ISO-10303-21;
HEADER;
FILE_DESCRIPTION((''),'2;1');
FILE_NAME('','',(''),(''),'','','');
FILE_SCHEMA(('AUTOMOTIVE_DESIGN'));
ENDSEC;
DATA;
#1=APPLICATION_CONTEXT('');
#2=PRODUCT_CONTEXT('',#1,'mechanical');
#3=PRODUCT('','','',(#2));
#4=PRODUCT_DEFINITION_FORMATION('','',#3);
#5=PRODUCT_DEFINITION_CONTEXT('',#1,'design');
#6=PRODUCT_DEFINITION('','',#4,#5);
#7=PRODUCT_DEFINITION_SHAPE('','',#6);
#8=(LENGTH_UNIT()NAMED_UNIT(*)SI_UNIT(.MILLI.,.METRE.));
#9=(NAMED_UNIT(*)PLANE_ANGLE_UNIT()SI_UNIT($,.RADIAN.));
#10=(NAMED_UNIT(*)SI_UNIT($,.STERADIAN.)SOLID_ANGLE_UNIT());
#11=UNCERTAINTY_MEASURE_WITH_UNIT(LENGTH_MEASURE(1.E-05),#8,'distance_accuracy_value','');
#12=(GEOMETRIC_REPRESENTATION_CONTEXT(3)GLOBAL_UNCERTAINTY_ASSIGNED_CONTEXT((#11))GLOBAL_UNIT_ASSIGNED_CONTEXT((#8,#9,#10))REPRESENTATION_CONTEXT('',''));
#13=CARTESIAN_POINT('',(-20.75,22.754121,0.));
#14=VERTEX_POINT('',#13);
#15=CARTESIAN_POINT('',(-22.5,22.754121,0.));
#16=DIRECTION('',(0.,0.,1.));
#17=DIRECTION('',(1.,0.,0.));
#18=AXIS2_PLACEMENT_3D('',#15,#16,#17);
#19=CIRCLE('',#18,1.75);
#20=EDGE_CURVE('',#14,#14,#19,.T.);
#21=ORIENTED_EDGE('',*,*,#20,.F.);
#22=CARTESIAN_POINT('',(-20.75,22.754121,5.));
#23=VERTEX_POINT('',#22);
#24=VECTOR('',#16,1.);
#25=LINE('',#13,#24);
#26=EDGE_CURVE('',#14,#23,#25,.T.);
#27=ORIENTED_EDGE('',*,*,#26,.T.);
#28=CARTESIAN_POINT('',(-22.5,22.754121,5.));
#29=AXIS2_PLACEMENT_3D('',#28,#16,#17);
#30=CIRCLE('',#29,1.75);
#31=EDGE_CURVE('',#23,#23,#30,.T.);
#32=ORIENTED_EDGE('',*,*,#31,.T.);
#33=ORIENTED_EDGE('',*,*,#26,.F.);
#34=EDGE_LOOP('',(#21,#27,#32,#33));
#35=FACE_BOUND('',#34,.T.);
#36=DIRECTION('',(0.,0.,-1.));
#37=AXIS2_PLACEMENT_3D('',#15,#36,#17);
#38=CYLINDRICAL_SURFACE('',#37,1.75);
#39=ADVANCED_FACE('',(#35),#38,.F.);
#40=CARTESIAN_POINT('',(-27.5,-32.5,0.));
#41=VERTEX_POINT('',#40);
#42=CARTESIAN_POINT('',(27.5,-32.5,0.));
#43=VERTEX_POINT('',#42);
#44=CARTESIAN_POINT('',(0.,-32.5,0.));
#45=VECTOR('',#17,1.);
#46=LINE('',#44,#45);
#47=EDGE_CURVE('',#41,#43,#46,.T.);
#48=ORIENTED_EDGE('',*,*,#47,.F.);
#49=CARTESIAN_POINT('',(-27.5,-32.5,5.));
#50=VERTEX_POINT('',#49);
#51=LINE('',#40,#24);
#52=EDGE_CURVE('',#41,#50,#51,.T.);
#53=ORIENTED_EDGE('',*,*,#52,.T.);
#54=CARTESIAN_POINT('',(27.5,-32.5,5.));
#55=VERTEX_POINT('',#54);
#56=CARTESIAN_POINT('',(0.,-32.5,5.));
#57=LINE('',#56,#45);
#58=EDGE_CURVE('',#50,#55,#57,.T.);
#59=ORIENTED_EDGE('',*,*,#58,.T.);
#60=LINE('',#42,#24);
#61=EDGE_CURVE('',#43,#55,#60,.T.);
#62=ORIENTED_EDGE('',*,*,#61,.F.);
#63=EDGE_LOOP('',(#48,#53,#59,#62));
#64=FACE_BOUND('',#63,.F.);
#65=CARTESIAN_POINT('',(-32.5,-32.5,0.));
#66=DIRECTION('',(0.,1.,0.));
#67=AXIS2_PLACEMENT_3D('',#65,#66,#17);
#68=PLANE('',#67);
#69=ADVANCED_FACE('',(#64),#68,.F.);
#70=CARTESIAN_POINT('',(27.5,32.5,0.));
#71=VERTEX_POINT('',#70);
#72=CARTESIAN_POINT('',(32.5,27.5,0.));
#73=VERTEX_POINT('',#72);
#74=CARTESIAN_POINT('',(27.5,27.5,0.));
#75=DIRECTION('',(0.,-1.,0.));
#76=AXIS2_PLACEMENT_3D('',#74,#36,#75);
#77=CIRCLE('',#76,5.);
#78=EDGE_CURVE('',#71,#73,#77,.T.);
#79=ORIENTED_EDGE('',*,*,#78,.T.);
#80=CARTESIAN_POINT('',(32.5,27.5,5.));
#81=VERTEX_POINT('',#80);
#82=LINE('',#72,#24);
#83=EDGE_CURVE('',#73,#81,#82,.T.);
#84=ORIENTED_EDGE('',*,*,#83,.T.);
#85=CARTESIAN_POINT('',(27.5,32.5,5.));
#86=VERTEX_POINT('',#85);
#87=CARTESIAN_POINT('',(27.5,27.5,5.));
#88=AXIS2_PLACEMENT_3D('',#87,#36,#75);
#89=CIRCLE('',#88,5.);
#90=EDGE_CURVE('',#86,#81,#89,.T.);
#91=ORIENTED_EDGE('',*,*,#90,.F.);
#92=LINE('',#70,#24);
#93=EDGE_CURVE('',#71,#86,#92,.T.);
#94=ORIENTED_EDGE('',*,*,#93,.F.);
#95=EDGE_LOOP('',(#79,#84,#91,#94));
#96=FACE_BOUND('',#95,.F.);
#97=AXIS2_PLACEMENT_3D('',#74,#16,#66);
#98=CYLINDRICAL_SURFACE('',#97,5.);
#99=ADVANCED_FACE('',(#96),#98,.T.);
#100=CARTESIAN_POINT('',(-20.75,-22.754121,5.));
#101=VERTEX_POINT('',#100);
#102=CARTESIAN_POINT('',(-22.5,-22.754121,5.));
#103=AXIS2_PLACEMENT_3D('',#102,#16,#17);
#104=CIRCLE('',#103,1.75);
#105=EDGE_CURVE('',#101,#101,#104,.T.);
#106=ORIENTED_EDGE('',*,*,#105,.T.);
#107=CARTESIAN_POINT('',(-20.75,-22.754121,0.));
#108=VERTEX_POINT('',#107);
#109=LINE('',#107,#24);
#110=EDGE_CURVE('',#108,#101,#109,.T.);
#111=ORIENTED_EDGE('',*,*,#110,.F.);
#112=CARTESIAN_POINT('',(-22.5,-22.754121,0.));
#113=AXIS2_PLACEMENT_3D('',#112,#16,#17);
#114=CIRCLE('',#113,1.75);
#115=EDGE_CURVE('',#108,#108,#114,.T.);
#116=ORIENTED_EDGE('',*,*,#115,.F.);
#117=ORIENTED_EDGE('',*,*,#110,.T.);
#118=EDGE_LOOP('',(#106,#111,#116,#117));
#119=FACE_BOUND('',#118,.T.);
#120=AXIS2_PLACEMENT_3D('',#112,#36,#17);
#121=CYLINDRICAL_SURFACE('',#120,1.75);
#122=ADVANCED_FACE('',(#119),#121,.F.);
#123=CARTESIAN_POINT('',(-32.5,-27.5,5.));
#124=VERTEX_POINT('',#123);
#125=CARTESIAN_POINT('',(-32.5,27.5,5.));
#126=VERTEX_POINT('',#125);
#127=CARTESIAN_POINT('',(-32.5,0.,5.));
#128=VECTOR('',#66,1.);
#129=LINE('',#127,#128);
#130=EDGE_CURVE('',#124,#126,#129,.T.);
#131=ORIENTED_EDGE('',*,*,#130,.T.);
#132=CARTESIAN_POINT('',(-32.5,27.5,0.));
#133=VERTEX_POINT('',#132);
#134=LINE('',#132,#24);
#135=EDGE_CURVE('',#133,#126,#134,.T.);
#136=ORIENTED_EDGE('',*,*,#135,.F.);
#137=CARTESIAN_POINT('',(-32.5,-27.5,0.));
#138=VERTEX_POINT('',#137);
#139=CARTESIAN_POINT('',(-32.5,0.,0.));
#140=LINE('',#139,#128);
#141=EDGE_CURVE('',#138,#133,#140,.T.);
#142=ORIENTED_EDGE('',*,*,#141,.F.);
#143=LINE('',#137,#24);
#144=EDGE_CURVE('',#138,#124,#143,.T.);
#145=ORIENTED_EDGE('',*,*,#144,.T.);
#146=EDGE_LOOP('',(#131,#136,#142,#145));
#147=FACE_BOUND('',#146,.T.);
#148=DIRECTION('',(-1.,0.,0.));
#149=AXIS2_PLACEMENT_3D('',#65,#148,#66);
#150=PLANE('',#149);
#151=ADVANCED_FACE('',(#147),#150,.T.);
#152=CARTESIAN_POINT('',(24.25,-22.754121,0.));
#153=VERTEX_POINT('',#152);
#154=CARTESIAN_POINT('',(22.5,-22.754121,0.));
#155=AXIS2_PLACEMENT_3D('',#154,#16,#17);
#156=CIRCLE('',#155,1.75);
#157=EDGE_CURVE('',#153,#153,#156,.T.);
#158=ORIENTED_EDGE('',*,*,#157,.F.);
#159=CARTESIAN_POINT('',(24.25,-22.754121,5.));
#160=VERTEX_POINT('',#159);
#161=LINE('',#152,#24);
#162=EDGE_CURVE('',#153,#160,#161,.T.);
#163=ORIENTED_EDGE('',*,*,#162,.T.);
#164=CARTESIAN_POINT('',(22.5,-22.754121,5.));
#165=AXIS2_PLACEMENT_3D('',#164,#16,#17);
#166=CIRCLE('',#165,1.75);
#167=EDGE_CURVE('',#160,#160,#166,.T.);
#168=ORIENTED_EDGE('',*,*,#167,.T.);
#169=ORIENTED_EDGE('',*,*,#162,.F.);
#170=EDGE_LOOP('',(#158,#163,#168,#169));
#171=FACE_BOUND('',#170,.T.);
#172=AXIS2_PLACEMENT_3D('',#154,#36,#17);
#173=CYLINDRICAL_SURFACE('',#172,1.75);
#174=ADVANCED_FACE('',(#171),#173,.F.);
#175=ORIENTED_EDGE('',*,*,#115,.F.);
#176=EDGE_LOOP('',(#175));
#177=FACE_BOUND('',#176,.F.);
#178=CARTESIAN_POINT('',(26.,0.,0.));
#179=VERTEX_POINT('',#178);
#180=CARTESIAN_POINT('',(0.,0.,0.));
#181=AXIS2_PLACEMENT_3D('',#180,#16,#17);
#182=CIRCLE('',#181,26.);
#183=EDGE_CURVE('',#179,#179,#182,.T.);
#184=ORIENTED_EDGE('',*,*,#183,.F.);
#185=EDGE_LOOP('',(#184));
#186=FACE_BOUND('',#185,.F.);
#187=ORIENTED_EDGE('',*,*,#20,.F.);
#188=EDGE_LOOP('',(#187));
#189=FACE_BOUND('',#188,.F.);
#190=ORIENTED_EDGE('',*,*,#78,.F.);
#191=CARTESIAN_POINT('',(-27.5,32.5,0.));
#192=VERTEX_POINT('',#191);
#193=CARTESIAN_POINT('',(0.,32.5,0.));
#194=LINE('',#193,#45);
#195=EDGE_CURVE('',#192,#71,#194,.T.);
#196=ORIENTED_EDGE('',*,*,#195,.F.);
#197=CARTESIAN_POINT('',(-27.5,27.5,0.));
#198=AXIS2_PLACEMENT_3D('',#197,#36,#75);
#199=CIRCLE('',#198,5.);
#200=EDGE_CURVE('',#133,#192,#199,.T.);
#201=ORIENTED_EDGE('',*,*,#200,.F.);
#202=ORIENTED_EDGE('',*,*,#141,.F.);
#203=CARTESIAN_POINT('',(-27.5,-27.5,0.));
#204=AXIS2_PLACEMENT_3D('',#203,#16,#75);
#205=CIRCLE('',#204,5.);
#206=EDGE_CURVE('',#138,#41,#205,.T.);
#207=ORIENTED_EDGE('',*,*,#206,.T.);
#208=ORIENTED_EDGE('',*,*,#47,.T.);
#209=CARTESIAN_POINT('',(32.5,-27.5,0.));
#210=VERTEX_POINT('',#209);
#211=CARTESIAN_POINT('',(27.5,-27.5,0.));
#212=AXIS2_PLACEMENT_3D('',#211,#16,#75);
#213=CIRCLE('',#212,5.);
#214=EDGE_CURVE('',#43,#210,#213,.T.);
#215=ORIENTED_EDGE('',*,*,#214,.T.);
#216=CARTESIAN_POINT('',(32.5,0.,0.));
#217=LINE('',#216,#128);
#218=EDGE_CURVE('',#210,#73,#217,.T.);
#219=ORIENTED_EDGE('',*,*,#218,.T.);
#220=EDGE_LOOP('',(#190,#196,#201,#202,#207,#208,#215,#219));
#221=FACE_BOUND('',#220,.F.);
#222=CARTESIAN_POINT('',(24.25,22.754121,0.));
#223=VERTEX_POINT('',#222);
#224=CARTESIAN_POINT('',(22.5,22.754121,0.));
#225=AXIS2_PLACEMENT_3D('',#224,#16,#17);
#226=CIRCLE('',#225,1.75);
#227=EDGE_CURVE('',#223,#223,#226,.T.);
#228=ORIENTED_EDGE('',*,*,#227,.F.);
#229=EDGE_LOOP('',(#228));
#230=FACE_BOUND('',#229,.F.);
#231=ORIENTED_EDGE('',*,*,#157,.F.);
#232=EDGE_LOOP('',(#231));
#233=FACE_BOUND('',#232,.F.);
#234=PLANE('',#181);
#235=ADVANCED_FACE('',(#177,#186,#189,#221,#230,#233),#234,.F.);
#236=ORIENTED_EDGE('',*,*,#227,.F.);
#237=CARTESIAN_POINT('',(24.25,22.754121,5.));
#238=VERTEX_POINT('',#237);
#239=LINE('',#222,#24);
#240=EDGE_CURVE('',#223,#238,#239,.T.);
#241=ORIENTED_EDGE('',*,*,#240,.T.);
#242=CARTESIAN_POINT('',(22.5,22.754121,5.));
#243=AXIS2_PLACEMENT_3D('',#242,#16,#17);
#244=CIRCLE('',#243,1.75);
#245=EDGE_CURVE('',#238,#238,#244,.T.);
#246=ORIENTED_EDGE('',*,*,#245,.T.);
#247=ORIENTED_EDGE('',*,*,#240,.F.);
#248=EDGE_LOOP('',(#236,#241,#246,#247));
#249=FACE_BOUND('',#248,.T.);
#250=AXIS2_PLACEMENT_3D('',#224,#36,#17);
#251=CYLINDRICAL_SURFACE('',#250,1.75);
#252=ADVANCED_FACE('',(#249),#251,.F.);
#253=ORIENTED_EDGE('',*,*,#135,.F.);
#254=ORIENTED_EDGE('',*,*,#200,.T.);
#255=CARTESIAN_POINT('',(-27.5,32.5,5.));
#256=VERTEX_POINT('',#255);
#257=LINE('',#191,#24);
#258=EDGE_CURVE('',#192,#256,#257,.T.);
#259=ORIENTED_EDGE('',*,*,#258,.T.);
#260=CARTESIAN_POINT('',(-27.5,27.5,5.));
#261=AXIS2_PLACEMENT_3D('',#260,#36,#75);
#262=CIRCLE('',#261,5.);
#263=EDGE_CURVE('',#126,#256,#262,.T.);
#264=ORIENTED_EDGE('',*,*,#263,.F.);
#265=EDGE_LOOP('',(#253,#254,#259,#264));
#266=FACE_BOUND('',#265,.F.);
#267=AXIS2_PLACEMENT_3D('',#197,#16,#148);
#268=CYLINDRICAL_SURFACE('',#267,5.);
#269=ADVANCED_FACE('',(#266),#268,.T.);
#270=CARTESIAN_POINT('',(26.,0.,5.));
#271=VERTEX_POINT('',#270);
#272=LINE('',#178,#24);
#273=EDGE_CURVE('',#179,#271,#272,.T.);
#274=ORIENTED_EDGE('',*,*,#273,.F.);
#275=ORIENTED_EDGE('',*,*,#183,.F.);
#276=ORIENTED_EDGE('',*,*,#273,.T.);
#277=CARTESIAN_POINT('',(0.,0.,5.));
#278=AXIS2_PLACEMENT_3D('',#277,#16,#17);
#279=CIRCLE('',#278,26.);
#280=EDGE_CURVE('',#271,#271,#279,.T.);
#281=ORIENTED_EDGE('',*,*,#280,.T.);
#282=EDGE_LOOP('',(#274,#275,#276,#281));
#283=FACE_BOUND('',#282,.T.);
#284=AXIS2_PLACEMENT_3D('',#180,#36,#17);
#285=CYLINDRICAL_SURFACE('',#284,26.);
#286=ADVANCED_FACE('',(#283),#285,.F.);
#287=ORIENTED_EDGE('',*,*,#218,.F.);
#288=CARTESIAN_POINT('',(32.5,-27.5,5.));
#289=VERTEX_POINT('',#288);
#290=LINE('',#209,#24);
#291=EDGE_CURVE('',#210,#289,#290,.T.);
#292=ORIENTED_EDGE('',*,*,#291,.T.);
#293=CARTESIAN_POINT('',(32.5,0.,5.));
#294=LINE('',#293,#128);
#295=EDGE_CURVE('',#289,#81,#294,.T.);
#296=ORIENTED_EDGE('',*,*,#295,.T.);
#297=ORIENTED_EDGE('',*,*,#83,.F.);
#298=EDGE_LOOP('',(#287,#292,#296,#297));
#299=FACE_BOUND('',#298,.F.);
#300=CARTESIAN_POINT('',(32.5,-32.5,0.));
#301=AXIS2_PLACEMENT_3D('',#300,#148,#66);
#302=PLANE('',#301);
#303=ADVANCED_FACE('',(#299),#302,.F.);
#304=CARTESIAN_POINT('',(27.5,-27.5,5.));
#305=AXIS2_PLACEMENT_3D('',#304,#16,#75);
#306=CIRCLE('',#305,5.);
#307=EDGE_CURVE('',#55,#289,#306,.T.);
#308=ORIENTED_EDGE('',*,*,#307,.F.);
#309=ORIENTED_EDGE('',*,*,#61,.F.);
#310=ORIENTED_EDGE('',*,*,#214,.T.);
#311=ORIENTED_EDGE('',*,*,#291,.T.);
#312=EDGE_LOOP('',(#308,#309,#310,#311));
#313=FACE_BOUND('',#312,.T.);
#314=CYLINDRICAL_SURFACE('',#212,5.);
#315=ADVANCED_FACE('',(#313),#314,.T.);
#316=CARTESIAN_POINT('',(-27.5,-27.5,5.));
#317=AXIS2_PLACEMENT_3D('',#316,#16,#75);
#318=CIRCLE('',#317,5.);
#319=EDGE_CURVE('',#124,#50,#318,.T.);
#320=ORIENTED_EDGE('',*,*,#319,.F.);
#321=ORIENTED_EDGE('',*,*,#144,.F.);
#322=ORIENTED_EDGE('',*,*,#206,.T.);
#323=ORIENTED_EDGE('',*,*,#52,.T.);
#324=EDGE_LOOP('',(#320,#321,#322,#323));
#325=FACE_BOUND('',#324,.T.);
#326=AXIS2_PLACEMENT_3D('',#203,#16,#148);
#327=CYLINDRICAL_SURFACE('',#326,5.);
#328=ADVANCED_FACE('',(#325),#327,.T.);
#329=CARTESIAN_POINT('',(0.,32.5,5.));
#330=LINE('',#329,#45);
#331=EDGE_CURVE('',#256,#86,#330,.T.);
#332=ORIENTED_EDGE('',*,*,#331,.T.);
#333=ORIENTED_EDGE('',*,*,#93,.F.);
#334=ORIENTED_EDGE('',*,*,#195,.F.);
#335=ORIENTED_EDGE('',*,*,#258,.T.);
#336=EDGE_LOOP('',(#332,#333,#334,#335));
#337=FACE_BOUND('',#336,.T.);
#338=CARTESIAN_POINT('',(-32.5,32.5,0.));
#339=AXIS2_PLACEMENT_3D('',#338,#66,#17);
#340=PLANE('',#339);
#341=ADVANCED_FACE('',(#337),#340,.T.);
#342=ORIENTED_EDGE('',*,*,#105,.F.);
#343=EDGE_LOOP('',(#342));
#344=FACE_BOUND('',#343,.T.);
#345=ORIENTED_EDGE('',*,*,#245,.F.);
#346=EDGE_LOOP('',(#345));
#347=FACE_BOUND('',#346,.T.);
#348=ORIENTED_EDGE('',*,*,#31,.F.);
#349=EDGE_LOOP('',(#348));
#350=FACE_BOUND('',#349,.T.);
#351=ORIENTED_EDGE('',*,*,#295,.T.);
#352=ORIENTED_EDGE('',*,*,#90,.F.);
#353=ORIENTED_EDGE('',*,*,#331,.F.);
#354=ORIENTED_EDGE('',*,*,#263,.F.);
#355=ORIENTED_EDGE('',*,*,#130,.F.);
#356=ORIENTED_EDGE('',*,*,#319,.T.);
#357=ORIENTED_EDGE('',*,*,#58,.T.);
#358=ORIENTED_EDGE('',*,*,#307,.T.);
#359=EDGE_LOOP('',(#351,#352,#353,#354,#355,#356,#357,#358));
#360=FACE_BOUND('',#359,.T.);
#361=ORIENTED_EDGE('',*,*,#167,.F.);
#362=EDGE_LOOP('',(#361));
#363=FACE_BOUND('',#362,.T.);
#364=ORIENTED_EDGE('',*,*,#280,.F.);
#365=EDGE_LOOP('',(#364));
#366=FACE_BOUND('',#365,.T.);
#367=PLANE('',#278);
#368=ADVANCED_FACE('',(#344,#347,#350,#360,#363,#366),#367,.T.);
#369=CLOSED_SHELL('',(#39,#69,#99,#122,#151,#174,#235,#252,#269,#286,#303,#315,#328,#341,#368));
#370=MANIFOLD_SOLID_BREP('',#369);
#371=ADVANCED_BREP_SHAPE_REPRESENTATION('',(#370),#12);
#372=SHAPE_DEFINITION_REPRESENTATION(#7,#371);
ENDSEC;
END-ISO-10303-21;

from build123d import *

# Parameters (mm, degrees)
SKETCH_W      = 65
SKETCH_H      = 65
PAD_DEPTH     = 5
SKETCH001_R   = 1.75
SKETCH001_R_2 = 26
POCKET_DEPTH  = 5
FILLET_R      = 5


with BuildPart() as part:
    # Sketch → Pad (new body)
    with BuildSketch(Plane.XY):
        Rectangle(SKETCH_W, SKETCH_H)
    extrude(amount=PAD_DEPTH)

    # Sketch001 → Pocket (cut)
    with BuildSketch(Plane.XY):
        with Locations((-22.5, 22.754121)):
            Circle(SKETCH001_R)
        with Locations((22.5, 22.754121)):
            Circle(SKETCH001_R)
        with Locations((-22.5, -22.754121)):
            Circle(SKETCH001_R)
        with Locations((22.5, -22.754121)):
            Circle(SKETCH001_R)
        Circle(SKETCH001_R_2)
    extrude(amount=POCKET_DEPTH, mode=Mode.SUBTRACT)

    # Fillet
    fillet_edges = [part.edges().sort_by_distance(p)[0] for p in [
        (-32.5, -32.5, 2.5),
        (32.5, -32.5, 2.5),
        (32.5, 32.5, 2.5),
        (-32.5, 32.5, 2.5),
    ]]
    fillet(fillet_edges, radius=FILLET_R)


solid = part.part
